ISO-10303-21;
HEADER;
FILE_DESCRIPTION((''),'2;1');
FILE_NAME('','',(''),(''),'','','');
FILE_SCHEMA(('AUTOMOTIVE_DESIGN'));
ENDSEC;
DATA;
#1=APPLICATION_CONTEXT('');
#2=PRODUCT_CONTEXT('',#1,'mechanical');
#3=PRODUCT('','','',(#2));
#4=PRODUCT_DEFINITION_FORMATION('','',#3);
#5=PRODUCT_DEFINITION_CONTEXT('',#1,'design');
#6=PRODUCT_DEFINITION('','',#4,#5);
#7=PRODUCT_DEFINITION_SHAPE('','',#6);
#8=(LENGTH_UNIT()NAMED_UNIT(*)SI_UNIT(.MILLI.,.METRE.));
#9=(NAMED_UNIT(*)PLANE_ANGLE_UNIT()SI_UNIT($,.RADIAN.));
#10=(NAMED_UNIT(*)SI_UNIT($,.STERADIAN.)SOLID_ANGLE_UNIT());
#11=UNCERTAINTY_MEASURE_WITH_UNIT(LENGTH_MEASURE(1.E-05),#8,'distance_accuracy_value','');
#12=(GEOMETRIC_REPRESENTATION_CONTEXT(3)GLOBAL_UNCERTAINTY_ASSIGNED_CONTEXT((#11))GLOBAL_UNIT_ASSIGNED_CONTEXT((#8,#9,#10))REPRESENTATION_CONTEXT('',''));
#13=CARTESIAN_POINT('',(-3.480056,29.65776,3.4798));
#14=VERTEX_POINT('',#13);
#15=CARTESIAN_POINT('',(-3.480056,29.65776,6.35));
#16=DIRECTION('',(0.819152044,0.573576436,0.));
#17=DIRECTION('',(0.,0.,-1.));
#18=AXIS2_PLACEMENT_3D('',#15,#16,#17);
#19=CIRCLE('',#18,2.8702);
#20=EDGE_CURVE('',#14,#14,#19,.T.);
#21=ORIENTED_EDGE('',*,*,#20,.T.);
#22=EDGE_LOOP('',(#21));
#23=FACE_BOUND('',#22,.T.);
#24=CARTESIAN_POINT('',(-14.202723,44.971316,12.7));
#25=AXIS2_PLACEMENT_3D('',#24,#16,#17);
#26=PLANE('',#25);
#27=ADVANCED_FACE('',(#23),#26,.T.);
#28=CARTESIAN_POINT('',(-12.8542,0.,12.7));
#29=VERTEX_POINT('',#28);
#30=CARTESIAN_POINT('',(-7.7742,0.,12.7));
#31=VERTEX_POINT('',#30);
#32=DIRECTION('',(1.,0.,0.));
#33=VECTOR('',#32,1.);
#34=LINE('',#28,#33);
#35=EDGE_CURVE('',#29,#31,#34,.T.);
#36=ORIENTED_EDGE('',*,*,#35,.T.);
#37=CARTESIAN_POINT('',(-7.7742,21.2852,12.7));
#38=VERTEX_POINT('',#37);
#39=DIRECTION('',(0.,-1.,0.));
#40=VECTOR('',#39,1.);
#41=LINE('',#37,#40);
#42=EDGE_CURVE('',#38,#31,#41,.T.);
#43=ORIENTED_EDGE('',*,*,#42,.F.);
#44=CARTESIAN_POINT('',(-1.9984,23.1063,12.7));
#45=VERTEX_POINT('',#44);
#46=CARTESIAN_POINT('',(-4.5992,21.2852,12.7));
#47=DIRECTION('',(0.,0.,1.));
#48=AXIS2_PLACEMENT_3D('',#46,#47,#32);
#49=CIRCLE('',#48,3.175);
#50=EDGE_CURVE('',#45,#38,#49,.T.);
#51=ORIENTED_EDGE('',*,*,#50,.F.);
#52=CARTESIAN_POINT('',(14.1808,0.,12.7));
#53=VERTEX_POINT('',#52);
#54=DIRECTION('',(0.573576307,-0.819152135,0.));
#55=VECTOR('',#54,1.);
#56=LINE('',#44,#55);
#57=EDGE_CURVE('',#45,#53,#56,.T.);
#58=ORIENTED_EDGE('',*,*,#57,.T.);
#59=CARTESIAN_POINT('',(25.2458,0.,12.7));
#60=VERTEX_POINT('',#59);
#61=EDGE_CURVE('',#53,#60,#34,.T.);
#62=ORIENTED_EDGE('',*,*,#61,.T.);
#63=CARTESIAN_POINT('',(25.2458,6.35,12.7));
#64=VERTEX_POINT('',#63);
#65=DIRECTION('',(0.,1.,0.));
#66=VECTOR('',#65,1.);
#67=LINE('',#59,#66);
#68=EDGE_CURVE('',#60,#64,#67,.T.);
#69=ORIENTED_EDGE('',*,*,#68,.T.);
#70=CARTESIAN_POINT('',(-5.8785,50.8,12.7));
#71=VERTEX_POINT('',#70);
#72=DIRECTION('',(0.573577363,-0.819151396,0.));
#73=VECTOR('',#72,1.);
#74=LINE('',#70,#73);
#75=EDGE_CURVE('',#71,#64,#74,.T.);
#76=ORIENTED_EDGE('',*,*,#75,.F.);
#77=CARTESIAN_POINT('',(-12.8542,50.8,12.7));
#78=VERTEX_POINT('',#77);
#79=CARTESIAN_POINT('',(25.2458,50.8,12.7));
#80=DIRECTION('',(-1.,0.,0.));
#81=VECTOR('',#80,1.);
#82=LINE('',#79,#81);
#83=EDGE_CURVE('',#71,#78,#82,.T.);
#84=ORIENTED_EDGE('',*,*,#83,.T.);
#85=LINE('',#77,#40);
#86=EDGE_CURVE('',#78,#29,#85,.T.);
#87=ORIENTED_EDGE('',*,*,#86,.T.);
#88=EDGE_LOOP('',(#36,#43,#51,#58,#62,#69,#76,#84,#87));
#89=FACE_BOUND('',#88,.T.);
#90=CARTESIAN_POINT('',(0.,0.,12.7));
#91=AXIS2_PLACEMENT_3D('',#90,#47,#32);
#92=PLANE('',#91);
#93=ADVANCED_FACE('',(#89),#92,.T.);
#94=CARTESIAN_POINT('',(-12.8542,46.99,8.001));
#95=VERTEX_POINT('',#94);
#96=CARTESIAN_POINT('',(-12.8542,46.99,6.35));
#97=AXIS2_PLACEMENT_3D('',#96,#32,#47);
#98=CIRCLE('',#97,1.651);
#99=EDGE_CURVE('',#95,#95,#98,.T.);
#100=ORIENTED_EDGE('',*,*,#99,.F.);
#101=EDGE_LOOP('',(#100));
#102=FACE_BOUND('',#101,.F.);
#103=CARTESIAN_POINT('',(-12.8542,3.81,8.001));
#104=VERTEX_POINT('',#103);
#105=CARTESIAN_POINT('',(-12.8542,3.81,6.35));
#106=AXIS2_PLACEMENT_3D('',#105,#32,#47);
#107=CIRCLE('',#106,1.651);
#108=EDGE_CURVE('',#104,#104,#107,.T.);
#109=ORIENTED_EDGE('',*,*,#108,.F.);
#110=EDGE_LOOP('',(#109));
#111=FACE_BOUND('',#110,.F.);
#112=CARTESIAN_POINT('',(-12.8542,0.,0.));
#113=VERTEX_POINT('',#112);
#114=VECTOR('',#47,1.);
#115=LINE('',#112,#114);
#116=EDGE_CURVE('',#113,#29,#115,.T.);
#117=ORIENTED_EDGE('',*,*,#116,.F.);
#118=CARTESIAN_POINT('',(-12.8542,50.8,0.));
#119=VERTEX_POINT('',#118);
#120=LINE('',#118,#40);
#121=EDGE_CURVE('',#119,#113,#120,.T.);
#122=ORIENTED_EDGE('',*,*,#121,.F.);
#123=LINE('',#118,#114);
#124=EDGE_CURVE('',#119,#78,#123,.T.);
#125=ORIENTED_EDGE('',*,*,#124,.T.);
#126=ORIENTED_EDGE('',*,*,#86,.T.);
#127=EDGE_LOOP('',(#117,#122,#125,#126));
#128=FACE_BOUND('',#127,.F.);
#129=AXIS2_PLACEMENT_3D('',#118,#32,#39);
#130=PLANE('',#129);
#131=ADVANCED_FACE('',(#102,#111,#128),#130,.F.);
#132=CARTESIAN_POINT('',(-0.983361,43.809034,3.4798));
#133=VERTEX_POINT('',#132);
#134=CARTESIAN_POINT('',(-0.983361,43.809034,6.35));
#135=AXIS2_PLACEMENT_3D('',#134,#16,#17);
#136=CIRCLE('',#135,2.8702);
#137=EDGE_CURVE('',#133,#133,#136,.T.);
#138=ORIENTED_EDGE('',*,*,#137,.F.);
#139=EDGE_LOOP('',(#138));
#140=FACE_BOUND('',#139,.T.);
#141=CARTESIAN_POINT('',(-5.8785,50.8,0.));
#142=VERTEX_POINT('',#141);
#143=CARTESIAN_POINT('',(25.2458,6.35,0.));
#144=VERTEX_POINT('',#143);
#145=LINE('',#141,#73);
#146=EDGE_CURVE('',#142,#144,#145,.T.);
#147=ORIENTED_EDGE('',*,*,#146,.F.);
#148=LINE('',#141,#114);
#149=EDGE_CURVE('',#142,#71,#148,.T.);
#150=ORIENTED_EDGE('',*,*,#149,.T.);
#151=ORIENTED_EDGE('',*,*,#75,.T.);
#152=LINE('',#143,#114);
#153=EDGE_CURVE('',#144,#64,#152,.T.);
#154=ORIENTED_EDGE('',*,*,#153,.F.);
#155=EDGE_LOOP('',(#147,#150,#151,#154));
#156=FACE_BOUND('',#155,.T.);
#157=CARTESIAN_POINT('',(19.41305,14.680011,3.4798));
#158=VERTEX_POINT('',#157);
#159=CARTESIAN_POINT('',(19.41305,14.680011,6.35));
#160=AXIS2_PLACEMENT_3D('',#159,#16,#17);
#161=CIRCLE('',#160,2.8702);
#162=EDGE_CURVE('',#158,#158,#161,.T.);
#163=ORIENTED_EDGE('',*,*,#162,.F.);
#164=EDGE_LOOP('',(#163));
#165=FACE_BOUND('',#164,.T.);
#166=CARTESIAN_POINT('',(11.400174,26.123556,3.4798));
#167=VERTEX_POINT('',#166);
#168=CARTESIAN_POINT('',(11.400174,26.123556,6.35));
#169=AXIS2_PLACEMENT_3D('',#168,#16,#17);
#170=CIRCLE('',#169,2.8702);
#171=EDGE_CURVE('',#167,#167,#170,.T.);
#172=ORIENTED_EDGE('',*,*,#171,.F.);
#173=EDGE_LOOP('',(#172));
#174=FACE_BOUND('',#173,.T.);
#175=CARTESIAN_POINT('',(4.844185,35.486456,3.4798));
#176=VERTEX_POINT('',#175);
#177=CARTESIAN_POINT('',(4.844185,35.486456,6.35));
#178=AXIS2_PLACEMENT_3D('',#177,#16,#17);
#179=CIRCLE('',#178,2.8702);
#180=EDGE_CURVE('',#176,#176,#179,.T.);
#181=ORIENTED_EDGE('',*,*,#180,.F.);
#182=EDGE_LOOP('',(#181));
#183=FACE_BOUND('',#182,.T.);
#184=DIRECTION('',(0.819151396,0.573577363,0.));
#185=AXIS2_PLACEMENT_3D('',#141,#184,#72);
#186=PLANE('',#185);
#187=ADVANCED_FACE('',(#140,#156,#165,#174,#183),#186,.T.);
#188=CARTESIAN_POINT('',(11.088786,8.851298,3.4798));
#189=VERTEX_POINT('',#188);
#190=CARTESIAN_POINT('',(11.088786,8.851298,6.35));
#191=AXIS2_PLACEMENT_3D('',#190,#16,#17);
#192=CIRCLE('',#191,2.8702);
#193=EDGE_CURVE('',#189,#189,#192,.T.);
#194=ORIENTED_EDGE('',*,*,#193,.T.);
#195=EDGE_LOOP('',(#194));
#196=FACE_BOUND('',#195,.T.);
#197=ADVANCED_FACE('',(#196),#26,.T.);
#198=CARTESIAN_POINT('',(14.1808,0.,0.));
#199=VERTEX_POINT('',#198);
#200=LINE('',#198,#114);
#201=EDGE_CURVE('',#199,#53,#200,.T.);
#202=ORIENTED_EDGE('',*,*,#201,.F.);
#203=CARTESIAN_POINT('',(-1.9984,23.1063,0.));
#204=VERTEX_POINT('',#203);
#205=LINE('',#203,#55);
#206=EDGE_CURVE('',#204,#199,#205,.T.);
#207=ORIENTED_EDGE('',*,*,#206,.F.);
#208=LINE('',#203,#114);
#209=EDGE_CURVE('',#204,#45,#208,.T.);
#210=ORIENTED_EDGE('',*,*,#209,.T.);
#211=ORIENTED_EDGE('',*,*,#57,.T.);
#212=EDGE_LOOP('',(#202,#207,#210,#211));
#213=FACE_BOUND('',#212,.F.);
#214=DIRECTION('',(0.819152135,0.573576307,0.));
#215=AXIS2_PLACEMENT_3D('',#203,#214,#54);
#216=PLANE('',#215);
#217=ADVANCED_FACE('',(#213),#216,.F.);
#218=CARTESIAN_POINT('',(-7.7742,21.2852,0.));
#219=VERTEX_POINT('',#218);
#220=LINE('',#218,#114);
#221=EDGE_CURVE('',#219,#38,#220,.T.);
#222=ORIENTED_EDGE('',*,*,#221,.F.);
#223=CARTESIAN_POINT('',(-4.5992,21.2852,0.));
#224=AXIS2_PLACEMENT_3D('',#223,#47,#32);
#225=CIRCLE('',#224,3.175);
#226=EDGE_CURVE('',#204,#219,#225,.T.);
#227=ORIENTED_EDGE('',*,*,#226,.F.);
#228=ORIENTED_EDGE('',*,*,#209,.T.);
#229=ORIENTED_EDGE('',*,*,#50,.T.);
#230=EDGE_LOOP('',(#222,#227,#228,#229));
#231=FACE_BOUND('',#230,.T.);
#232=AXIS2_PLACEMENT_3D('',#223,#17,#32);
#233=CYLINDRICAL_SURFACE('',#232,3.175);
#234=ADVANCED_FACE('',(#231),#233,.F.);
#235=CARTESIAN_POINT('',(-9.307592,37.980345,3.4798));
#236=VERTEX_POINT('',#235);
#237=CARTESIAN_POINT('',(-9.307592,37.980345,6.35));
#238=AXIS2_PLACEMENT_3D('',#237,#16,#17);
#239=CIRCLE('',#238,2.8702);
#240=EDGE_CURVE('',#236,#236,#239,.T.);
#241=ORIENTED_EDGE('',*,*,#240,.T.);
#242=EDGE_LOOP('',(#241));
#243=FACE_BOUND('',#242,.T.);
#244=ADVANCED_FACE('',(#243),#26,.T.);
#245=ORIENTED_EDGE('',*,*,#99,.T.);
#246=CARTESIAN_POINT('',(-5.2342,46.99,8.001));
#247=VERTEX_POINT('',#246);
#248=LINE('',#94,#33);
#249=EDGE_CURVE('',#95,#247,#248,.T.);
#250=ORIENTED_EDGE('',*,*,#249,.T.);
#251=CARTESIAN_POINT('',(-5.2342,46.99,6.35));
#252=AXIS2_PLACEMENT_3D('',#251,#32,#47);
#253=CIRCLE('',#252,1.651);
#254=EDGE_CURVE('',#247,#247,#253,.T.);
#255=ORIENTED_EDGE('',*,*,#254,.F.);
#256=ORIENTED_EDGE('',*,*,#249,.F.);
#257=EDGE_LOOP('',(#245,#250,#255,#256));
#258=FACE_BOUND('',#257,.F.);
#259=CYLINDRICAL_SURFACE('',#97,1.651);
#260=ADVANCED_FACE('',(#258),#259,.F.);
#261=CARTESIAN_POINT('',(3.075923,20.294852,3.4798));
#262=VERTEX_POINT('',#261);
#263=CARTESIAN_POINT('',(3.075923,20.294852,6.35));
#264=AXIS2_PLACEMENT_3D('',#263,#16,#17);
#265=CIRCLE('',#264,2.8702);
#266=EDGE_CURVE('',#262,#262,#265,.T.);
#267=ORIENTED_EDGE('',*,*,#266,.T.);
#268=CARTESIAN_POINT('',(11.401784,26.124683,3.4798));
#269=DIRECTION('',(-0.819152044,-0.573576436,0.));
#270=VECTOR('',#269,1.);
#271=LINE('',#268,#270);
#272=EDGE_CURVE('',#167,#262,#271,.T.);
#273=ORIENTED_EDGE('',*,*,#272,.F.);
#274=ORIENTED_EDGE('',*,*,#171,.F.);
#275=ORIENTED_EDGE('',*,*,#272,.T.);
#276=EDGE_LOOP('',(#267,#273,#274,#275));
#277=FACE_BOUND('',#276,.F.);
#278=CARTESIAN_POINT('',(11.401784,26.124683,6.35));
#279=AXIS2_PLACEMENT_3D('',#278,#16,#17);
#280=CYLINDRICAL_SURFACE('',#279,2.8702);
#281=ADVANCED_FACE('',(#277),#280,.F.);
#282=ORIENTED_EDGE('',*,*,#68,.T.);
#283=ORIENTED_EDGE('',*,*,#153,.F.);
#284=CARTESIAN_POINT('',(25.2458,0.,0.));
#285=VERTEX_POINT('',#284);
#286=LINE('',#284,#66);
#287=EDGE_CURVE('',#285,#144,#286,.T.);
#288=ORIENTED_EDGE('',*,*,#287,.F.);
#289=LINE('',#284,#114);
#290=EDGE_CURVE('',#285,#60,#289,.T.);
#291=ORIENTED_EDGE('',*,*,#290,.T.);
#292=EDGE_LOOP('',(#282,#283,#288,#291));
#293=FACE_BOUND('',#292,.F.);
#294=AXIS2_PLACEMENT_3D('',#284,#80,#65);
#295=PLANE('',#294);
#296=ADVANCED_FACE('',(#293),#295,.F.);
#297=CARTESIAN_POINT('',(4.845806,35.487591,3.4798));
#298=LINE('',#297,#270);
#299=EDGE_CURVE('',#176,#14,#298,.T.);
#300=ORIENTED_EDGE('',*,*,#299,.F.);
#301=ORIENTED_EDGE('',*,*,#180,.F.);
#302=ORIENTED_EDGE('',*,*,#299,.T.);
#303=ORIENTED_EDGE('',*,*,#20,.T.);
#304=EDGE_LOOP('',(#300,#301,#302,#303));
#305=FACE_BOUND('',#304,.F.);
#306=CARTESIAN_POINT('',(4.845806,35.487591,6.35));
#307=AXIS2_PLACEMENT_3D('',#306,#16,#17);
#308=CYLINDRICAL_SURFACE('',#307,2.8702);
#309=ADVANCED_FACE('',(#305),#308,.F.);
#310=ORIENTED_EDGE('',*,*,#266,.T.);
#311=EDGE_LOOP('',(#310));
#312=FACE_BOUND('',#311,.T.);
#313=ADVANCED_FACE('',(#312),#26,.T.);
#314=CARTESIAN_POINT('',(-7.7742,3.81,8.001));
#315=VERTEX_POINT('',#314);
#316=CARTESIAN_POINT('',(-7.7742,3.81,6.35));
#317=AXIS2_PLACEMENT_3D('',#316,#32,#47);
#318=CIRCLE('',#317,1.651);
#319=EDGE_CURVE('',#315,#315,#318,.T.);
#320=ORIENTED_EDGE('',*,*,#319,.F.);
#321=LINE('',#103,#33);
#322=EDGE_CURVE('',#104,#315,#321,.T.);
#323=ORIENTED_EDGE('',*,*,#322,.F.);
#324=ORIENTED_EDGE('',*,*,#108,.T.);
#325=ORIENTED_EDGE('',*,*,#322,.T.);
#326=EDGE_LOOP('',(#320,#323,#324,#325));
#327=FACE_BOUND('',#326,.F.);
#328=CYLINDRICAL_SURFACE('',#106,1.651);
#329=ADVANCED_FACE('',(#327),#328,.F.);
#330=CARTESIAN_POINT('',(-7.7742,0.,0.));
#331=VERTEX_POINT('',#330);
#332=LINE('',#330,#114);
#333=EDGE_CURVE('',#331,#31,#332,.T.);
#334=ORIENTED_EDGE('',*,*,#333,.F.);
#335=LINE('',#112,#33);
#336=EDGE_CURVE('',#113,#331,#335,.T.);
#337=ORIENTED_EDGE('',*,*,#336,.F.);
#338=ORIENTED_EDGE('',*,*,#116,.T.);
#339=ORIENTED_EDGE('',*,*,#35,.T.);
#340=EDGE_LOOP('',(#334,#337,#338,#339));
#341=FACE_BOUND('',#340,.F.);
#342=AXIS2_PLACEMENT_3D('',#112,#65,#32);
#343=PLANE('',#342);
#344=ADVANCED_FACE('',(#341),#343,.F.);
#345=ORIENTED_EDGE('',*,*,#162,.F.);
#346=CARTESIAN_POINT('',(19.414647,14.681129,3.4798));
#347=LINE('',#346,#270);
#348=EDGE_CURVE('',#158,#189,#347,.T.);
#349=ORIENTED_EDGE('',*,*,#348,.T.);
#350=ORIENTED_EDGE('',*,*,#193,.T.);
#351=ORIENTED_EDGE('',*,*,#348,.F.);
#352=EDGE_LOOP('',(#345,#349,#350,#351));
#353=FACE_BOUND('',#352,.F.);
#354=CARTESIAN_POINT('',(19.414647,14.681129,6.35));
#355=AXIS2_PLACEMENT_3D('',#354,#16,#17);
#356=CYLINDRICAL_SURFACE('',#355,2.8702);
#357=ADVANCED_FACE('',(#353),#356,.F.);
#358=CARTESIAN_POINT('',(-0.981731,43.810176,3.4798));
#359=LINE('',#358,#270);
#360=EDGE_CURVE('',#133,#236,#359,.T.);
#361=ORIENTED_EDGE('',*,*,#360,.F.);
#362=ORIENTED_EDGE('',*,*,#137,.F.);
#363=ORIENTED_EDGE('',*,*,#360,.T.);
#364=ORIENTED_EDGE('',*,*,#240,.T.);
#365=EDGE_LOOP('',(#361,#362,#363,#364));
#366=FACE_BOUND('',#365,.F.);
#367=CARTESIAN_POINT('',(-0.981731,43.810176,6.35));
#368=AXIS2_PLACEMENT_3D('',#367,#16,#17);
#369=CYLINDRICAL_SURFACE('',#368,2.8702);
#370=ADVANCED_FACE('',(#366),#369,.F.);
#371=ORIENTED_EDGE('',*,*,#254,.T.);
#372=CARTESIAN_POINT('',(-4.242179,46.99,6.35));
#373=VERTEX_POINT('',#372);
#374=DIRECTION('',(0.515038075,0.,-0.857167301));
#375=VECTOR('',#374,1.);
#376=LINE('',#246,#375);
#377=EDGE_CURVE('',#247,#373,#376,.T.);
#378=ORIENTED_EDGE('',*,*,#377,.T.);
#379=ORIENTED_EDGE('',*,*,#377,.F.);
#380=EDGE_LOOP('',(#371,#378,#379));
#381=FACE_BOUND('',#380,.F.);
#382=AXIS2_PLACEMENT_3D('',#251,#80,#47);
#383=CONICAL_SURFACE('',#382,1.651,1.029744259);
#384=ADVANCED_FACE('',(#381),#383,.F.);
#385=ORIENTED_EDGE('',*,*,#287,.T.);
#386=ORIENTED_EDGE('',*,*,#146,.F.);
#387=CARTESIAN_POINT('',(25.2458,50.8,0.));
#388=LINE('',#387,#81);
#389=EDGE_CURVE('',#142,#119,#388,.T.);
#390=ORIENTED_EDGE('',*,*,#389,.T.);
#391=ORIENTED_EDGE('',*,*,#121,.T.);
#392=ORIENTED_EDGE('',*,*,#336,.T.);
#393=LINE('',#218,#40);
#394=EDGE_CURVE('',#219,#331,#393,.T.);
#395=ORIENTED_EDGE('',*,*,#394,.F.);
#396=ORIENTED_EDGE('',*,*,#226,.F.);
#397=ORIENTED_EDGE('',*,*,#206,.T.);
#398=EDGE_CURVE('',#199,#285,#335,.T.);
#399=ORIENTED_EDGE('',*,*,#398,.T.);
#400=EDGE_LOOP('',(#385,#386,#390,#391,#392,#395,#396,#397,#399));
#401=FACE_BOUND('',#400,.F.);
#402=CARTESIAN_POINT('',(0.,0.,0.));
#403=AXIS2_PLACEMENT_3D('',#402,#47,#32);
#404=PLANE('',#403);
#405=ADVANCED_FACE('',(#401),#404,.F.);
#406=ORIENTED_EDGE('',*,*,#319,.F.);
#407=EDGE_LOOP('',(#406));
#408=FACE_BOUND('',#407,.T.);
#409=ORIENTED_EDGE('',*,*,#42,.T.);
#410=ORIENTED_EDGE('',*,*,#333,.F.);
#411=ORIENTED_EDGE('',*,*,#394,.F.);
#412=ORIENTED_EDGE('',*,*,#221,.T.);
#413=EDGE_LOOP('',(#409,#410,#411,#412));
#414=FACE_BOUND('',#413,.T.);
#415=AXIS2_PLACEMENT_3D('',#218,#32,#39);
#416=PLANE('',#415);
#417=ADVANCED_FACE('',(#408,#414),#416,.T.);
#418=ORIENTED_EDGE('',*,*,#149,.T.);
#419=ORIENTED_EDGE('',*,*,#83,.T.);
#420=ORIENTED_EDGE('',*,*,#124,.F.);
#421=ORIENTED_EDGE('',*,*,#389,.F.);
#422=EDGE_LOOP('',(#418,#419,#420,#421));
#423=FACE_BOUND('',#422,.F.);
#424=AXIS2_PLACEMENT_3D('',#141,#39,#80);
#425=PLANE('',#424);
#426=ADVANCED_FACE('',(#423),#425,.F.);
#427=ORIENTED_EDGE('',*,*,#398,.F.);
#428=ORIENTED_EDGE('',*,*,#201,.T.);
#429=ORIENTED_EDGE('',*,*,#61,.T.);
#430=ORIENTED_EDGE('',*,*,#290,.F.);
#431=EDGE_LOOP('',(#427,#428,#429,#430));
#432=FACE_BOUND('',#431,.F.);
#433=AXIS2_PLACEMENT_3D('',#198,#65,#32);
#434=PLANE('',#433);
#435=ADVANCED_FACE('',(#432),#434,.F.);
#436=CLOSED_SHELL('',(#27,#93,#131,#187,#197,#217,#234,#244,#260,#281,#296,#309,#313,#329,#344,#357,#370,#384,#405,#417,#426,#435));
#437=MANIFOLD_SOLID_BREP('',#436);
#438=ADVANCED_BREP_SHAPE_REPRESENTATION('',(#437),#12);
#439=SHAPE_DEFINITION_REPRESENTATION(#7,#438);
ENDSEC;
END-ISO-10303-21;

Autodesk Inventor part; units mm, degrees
ref_plane "YZ Plane" through (0, 0, 0) normal (1, 0, 0) x (0, 1, 0)
ref_plane "XZ Plane" through (0, 0, 0) normal (0, 1, 0) x (-1, 0, 0)
ref_plane "XY Plane" through (0, 0, 0) normal (0, 0, 1) x (1, 0, 0)
sketch "Sketch1" plane through (0, 0, 0) normal (0, 0, 1) x (1, 0, 0)
  line L0 (-12.8542, 0) -> (25.2458, 0)
  line L1 (25.2458, 0) -> (25.2458, 50.8)
  line L2 (25.2458, 50.8) -> (-12.8542, 50.8)
  line L3 (-12.8542, 50.8) -> (-12.8542, 0)
  circle A0 centre (-4.5992, 21.2852) radius 3.175
  line L4 (-7.7742, 21.2852) -> (-7.7742, 0)
  line L5 (-1.9984, 23.1063) -> (14.1808, 0)
  line L6 (-5.8785, 50.8) -> (25.2458, 6.35)
  point P0 (0, 0)
  dimension "d0" = 38.1
  dimension "d1" = 50.8
  dimension "d2" = 6.35
  dimension "d3" = 8.255
  dimension "d4" = 21.2852
  dimension "d5" = 6.35
  dimension "d6" = 35
extrude "Extrusion1" add sketch "Sketch1" along normal blind 12.7 contours L3 L2 L6 L1 L0 L5 A0 L4
sketch "Sketch2" plane through (-5.8785, 50.8, 12.7) normal (0.8192, 0.5736, 0) x (0, 0, -1)
  circle A0 centre (6.35, -8.5344) radius 2.8702
  circle A1 centre (6.35, -18.6944) radius 2.8702
  circle A2 centre (6.35, -30.1244) radius 2.8702
  circle A3 centre (6.35, -44.0944) radius 2.8702
  line L0 (12.7, 0) -> (0, 0) projected
  line L1 (12.7, -54.2634) -> (12.7, 0) projected
  point P0 (12.7, -44.9847)
  dimension "d9" = 5.7404
  dimension "d10" = 5.7404
  dimension "d11" = 5.7404
  dimension "d12" = 5.7404
  dimension "d13" = 8.5344
  dimension "d14" = 6.35
  dimension "d16" = 30.1244
  dimension "d17" = 44.0944
  dimension "d18" = 18.6944
extrude "Extrusion2" cut sketch "Sketch2" against normal blind 10.16
sketch "Sketch3" plane through (-12.8542, 0, 0) normal (-1, 0, 0) x (0, 0, 1)
  line L0 (0, 50.8) -> (0, 0) projected
  line L1 (0, 0) -> (12.7, 0) projected
  point P0 (6.35, 46.99)
  point P1 (6.35, 3.81)
  dimension "d21" = 6.35
  dimension "d22" = 6.35
  dimension "d23" = 46.99
  dimension "d24" = 3.81
hole "Hole1" at (-12.8542, 46.99, 6.35) at (-12.8542, 3.81, 6.35) direction (1, 0, 0) diameter 3.302 depth 7.62 tip angle 118 thread size "8-32 UNC" class "2B" standard "ANSI Unified Screw Threads"
equation "\"d10\" = d9"
equation "\"d11\" = d9"
equation "\"d12\" = d9"
properties part number "Punch Holder" material "Stainless Steel"
